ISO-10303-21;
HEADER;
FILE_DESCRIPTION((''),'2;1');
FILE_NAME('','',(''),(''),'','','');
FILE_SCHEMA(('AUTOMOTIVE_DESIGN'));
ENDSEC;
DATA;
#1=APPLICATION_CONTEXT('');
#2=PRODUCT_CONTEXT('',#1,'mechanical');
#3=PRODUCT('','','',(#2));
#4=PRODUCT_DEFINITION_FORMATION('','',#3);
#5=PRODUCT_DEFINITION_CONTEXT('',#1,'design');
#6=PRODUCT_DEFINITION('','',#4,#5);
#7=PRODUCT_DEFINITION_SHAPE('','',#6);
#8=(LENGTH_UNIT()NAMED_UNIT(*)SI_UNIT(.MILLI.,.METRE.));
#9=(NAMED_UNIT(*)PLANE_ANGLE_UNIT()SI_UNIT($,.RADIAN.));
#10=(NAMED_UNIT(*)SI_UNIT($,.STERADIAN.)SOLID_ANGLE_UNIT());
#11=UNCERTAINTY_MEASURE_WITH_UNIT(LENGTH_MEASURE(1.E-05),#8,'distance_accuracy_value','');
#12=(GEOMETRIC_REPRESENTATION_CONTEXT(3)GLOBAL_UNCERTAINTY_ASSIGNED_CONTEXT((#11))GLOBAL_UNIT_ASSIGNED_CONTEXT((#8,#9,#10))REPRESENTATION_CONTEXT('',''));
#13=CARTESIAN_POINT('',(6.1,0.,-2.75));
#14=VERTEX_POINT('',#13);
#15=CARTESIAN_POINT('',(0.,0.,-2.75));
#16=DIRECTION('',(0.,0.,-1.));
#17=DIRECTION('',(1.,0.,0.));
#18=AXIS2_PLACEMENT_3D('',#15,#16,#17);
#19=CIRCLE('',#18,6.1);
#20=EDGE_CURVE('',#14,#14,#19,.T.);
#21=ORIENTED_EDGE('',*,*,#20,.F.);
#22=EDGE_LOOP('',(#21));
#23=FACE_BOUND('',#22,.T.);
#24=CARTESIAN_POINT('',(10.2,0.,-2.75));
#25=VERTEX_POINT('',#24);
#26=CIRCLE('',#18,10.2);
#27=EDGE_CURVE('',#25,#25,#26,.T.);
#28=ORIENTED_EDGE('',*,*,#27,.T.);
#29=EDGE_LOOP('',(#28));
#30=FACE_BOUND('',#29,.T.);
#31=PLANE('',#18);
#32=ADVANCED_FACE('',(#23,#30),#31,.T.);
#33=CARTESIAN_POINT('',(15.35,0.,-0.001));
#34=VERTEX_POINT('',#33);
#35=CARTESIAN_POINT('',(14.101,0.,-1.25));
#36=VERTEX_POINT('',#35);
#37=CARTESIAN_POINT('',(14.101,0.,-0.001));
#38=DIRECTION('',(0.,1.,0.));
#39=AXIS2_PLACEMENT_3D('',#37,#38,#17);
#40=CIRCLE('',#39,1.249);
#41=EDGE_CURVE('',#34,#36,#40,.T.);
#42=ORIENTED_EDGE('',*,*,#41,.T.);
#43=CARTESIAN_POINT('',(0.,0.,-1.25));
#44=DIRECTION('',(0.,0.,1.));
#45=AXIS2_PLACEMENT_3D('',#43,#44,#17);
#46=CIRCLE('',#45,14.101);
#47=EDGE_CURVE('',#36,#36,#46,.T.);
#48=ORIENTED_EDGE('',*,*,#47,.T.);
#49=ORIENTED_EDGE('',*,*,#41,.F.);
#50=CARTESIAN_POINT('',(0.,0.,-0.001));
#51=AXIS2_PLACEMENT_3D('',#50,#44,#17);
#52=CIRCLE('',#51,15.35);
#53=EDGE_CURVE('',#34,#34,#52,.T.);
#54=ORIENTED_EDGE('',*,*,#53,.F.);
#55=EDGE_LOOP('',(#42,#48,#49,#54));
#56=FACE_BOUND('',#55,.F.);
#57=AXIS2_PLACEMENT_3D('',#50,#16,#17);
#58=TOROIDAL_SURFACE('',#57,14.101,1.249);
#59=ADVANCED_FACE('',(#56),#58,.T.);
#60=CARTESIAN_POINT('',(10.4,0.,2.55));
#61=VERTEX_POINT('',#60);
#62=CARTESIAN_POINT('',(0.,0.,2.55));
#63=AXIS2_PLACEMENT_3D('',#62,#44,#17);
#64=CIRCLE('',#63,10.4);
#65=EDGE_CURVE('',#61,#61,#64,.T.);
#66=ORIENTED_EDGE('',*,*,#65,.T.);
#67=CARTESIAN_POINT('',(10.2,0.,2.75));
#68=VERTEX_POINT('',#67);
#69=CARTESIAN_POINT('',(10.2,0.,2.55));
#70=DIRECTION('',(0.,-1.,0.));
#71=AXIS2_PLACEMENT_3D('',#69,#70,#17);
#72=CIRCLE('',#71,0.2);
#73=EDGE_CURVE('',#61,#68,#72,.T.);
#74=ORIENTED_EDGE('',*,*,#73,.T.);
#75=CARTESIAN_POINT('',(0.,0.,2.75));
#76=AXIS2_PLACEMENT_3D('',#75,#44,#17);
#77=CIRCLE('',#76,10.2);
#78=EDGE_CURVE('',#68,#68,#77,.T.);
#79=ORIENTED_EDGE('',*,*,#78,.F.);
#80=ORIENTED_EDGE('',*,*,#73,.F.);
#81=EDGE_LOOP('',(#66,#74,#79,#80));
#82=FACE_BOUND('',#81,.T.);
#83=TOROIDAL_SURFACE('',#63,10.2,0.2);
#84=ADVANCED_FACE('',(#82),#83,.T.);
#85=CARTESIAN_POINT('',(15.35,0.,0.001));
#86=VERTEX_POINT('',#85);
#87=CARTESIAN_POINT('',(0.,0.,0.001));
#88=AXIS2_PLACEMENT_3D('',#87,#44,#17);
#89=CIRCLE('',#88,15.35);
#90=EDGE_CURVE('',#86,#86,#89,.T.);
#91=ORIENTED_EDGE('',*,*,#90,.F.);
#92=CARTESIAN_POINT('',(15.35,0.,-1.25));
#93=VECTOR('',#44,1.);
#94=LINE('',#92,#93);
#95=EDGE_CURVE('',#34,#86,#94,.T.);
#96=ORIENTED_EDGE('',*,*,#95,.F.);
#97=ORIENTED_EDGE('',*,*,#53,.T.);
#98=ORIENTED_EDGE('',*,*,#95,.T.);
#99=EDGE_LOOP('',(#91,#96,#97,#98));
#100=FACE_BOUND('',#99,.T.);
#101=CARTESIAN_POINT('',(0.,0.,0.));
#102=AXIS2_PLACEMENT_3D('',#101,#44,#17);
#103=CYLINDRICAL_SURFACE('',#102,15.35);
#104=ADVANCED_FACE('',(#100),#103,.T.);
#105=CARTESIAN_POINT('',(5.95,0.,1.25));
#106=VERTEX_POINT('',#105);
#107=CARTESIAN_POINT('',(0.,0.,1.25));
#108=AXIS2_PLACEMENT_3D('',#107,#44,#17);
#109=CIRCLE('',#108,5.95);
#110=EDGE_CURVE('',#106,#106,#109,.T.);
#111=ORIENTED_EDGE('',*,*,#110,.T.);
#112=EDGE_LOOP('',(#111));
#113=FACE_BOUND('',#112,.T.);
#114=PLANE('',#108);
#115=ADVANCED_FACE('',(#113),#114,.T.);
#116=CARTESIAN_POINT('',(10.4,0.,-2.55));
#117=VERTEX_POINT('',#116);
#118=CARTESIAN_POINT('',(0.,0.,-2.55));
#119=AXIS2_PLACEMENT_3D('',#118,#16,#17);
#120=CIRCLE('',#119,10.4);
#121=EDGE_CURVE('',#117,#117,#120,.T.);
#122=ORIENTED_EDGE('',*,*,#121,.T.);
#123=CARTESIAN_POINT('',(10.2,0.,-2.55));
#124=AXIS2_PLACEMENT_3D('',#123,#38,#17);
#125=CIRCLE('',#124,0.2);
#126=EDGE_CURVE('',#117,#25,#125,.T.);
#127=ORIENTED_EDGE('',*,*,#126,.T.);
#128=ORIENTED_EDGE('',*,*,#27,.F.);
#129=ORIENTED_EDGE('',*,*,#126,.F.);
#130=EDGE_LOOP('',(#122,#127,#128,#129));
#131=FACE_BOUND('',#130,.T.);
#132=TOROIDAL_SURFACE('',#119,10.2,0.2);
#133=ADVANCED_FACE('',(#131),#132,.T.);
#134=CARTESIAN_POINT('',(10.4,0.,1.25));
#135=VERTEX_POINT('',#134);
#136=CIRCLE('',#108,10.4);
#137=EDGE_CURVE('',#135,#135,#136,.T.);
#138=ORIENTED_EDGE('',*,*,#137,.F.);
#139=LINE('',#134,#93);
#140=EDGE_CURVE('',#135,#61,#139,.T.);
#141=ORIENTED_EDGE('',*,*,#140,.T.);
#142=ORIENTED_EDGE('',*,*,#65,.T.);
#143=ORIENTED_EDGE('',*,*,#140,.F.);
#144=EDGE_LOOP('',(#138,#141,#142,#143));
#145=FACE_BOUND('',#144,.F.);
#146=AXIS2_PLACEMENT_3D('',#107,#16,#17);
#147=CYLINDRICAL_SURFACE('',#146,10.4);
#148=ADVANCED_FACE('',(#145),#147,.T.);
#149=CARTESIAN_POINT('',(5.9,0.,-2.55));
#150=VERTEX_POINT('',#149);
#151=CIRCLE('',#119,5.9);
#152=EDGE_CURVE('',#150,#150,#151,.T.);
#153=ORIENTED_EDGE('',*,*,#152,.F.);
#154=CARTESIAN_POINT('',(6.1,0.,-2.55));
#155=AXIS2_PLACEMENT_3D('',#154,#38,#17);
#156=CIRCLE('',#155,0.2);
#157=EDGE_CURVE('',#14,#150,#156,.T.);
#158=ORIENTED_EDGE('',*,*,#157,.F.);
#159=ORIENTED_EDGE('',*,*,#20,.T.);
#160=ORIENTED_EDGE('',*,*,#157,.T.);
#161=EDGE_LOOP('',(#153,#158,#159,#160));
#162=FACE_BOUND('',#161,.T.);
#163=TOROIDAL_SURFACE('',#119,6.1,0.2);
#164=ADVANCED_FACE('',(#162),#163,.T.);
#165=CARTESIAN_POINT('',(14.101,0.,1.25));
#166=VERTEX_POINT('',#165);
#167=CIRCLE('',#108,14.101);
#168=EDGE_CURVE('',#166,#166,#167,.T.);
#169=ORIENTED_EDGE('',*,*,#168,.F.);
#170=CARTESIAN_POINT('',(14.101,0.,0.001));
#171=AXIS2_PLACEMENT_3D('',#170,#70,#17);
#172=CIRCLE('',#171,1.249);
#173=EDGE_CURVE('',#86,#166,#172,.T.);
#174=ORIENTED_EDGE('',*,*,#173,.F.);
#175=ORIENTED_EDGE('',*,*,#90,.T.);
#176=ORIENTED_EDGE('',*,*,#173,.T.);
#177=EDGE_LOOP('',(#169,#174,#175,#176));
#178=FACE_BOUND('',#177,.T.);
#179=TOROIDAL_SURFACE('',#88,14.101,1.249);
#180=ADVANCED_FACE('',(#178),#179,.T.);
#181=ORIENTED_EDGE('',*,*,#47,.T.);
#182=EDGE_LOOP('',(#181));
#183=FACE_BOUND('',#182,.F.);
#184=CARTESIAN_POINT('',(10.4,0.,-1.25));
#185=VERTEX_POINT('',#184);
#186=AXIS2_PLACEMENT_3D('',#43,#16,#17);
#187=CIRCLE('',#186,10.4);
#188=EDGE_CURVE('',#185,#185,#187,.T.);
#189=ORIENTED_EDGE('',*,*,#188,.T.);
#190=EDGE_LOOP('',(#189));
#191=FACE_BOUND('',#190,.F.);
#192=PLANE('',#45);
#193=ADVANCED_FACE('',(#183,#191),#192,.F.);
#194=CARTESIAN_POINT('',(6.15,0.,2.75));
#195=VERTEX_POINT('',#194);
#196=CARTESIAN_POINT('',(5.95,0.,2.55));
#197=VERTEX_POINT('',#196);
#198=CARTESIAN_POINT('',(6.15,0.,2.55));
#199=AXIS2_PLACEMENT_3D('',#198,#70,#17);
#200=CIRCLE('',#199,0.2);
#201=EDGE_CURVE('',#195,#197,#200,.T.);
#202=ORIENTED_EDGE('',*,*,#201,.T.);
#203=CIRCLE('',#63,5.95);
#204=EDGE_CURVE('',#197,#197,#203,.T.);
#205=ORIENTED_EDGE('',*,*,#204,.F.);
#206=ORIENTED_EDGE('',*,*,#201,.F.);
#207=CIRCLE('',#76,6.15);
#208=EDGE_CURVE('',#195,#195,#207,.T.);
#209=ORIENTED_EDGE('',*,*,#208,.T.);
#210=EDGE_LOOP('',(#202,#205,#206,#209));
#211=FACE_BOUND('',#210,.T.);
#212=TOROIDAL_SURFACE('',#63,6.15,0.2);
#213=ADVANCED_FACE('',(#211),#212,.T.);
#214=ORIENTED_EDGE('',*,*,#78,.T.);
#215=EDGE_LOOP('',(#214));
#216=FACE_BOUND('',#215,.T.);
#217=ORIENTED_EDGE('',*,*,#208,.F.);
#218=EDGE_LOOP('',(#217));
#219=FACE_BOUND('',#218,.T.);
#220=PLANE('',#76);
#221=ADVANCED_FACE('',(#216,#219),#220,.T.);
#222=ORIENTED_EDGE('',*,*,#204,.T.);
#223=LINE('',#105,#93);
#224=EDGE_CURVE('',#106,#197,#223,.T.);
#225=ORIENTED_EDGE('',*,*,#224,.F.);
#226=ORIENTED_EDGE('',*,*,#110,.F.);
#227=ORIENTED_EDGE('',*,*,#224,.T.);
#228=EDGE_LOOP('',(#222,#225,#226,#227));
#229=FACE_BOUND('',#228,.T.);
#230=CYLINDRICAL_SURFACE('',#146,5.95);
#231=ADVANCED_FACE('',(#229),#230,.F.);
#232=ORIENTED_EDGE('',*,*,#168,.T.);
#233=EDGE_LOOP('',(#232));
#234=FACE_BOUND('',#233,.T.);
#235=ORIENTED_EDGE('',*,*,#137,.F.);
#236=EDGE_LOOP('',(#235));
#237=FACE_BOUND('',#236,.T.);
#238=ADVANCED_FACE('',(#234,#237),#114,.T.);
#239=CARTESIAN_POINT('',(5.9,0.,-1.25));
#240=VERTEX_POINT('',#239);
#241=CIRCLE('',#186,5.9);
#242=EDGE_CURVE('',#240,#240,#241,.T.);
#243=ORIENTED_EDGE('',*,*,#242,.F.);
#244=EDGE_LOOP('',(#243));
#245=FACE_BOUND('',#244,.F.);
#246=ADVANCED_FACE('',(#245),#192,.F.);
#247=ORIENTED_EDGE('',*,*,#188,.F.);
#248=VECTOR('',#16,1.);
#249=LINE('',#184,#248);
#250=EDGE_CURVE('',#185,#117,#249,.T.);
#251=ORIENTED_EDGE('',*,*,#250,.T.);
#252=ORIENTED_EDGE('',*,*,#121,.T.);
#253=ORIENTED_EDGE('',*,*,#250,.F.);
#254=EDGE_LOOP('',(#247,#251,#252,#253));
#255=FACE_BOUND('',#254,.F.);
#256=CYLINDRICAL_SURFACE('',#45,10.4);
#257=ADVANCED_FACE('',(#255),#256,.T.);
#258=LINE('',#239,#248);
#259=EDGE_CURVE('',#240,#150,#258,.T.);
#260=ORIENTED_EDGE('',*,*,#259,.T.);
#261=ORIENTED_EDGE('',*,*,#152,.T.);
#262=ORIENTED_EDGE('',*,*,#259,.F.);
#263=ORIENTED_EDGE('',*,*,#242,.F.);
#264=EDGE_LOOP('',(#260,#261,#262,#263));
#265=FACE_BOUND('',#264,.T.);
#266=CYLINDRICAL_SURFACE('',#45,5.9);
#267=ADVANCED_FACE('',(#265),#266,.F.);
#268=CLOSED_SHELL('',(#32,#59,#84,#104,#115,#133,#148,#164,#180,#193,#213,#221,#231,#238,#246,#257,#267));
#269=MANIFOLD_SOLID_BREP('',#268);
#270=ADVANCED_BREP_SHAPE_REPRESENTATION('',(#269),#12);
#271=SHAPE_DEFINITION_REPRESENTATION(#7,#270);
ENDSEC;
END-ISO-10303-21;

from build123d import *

# Parameters (mm, degrees)
SKETCH_R      = 15.35
PAD_DEPTH     = 1.25
SKETCH001_R   = 10.4
SKETCH001_R_2 = 5.95
PAD001_DEPTH  = 1.5
SKETCH002_R   = 10.4
SKETCH002_R_2 = 5.9
PAD002_DEPTH  = 1.5
FILLET_R      = 1.249
FILLET001_R   = 0.2
FILLET002_R   = 0.2


with BuildPart() as part:
    # Sketch → Pad (new body, symmetric)
    with BuildSketch(Plane.XY):
        Circle(SKETCH_R)
    extrude(amount=PAD_DEPTH, both=True)

    # Sketch001 → Pad001 (new body)
    with BuildSketch(Plane.XY.offset(1.25)):
        Circle(SKETCH001_R)
        Circle(SKETCH001_R_2, mode=Mode.SUBTRACT)
    extrude(amount=PAD001_DEPTH)

    # Sketch002 → Pad002 (new body)
    with BuildSketch(Plane(origin=(0, 0, -1.25), x_dir=(1, 0, 0), z_dir=(0, 0, -1))):
        Circle(SKETCH002_R)
        Circle(SKETCH002_R_2, mode=Mode.SUBTRACT)
    extrude(amount=PAD002_DEPTH)

    # Fillet
    fillet_edges = [part.edges().sort_by_distance(p)[0] for p in [
        (-15.35, 0, -1.25),
        (-15.35, 0, 1.25),
    ]]
    fillet(fillet_edges, radius=FILLET_R)

    # Fillet001
    fillet001_edges = [part.edges().sort_by_distance(p)[0] for p in [
        (-5.95, 0, 2.75),
        (-10.4, 0, 2.75),
    ]]
    fillet(fillet001_edges, radius=FILLET001_R)

    # Fillet002
    fillet002_edges = [part.edges().sort_by_distance(p)[0] for p in [
        (-5.9, 0, -2.75),
        (-10.4, 0, -2.75),
    ]]
    fillet(fillet002_edges, radius=FILLET002_R)


solid = part.part
